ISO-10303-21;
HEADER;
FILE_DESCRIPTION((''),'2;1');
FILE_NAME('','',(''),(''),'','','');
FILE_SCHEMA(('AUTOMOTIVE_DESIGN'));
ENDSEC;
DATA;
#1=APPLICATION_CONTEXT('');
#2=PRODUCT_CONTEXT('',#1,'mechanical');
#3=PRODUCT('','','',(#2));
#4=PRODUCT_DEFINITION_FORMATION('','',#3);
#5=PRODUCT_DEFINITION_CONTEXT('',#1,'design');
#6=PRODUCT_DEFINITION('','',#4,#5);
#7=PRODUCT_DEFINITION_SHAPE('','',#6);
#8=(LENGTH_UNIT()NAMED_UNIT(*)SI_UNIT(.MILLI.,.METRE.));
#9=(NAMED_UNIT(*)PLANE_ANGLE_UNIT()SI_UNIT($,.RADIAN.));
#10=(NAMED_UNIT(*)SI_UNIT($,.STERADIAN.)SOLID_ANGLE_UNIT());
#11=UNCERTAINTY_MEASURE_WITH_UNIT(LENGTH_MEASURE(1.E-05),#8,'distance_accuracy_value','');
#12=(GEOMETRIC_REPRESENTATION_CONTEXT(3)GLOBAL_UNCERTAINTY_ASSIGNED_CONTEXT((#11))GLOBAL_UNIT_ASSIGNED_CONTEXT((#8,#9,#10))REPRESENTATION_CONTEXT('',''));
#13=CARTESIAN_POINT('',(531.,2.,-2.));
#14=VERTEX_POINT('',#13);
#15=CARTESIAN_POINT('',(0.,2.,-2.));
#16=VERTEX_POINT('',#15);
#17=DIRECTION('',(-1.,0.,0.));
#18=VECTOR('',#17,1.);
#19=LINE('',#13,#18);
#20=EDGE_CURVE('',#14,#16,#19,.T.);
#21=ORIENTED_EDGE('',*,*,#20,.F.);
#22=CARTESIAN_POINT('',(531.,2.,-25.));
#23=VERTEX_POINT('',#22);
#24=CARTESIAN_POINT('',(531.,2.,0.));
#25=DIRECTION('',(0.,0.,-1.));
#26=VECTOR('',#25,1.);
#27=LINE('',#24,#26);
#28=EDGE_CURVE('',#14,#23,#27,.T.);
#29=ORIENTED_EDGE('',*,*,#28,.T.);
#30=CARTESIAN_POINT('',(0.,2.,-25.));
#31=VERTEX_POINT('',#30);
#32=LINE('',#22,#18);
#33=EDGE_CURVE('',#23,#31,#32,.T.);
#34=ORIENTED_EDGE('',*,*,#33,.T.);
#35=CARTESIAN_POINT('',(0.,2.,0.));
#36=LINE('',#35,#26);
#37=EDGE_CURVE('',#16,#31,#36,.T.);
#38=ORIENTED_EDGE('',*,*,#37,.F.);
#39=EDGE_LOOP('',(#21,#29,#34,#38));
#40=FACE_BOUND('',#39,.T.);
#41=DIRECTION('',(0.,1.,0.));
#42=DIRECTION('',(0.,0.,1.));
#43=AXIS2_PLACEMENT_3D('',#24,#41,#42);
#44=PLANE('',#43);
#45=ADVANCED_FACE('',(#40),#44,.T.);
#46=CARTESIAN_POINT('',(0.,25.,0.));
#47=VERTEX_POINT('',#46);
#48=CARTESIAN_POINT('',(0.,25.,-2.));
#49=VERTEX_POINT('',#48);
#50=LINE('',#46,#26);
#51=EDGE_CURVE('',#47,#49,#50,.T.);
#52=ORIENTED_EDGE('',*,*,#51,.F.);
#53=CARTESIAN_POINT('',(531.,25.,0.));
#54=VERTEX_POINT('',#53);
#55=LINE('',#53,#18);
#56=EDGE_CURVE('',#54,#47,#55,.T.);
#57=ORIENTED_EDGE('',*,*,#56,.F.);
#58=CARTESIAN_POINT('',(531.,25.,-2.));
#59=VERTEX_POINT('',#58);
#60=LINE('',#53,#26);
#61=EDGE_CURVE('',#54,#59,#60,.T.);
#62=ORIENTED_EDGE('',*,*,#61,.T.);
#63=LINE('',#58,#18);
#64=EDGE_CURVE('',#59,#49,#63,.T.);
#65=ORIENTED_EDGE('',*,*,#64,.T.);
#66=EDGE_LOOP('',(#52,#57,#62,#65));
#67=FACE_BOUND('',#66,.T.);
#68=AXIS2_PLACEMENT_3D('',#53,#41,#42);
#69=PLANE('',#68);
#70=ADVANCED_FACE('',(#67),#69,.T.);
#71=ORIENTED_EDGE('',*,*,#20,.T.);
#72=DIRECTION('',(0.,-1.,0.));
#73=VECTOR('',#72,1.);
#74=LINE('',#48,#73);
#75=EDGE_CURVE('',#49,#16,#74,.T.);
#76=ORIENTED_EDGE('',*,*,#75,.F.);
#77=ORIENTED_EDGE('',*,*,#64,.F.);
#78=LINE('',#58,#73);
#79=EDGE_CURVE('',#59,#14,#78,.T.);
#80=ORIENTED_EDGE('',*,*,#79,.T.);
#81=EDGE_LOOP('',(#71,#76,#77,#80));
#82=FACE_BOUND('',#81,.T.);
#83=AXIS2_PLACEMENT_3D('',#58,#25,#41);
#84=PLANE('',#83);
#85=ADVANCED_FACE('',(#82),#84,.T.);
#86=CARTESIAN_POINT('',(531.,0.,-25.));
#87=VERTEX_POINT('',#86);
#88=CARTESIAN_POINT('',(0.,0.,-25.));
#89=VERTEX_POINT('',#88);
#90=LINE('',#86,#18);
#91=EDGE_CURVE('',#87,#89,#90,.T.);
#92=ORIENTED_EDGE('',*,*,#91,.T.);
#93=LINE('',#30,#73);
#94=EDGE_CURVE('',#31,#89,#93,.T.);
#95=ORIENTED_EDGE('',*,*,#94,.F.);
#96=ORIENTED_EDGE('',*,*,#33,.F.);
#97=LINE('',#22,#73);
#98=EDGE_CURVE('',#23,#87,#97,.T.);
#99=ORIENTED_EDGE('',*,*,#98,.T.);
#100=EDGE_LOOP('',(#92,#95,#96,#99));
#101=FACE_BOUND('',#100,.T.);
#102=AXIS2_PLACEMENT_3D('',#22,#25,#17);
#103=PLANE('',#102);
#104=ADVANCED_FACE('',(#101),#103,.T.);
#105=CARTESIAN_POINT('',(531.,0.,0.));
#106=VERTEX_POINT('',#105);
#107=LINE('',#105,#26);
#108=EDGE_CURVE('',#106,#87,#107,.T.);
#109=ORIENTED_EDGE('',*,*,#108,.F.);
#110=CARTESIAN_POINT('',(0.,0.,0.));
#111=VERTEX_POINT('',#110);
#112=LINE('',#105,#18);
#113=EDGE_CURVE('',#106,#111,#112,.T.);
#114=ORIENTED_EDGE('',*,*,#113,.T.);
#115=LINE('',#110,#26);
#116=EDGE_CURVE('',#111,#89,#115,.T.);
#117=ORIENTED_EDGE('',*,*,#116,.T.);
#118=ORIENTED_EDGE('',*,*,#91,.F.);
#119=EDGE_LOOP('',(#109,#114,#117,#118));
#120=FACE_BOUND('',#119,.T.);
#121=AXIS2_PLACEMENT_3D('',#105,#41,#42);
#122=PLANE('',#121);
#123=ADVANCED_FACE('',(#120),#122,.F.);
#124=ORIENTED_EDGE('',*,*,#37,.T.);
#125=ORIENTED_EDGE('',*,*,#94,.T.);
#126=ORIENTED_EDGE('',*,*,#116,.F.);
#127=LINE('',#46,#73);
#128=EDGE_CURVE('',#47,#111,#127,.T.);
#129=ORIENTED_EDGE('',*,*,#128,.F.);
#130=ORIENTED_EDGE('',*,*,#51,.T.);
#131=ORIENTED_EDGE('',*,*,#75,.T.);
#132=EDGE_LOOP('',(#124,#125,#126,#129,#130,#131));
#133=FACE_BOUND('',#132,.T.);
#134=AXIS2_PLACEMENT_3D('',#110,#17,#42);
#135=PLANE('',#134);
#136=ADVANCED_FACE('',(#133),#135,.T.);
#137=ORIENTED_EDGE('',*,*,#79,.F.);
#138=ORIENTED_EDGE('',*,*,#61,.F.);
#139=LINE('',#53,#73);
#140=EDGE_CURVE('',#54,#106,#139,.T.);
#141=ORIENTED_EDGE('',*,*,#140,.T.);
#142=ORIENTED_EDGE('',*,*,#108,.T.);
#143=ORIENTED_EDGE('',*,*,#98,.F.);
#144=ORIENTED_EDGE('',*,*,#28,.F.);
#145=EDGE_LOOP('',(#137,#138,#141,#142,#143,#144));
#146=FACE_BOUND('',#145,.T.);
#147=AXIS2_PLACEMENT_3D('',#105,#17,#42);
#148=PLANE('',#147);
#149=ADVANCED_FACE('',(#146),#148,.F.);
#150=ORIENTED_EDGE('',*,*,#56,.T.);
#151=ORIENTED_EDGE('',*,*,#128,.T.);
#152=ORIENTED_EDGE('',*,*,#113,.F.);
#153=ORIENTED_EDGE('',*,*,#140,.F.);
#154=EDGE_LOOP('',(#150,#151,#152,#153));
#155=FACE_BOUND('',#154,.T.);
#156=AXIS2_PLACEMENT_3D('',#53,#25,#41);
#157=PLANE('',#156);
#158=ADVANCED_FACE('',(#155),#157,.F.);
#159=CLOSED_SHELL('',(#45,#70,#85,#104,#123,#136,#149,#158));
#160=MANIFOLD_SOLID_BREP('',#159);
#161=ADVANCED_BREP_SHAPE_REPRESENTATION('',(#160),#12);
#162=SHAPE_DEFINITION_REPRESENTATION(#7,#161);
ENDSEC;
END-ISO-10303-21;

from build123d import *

# Parameters (mm, degrees)
EXTRUDE_1_DEPTH = 531


with BuildPart() as part:
    # Эскиз1 → Вытянуть-Тонкостенный1 (new body)
    with BuildSketch(Plane(origin=(0, 0, 0), x_dir=(0, 0, -1), z_dir=(1, 0, 0))):
        Polygon((0, 25), (0, 0), (25, 0), (25, 2), (2, 2), (2, 25), align=None)
    extrude(amount=EXTRUDE_1_DEPTH)


solid = part.part
